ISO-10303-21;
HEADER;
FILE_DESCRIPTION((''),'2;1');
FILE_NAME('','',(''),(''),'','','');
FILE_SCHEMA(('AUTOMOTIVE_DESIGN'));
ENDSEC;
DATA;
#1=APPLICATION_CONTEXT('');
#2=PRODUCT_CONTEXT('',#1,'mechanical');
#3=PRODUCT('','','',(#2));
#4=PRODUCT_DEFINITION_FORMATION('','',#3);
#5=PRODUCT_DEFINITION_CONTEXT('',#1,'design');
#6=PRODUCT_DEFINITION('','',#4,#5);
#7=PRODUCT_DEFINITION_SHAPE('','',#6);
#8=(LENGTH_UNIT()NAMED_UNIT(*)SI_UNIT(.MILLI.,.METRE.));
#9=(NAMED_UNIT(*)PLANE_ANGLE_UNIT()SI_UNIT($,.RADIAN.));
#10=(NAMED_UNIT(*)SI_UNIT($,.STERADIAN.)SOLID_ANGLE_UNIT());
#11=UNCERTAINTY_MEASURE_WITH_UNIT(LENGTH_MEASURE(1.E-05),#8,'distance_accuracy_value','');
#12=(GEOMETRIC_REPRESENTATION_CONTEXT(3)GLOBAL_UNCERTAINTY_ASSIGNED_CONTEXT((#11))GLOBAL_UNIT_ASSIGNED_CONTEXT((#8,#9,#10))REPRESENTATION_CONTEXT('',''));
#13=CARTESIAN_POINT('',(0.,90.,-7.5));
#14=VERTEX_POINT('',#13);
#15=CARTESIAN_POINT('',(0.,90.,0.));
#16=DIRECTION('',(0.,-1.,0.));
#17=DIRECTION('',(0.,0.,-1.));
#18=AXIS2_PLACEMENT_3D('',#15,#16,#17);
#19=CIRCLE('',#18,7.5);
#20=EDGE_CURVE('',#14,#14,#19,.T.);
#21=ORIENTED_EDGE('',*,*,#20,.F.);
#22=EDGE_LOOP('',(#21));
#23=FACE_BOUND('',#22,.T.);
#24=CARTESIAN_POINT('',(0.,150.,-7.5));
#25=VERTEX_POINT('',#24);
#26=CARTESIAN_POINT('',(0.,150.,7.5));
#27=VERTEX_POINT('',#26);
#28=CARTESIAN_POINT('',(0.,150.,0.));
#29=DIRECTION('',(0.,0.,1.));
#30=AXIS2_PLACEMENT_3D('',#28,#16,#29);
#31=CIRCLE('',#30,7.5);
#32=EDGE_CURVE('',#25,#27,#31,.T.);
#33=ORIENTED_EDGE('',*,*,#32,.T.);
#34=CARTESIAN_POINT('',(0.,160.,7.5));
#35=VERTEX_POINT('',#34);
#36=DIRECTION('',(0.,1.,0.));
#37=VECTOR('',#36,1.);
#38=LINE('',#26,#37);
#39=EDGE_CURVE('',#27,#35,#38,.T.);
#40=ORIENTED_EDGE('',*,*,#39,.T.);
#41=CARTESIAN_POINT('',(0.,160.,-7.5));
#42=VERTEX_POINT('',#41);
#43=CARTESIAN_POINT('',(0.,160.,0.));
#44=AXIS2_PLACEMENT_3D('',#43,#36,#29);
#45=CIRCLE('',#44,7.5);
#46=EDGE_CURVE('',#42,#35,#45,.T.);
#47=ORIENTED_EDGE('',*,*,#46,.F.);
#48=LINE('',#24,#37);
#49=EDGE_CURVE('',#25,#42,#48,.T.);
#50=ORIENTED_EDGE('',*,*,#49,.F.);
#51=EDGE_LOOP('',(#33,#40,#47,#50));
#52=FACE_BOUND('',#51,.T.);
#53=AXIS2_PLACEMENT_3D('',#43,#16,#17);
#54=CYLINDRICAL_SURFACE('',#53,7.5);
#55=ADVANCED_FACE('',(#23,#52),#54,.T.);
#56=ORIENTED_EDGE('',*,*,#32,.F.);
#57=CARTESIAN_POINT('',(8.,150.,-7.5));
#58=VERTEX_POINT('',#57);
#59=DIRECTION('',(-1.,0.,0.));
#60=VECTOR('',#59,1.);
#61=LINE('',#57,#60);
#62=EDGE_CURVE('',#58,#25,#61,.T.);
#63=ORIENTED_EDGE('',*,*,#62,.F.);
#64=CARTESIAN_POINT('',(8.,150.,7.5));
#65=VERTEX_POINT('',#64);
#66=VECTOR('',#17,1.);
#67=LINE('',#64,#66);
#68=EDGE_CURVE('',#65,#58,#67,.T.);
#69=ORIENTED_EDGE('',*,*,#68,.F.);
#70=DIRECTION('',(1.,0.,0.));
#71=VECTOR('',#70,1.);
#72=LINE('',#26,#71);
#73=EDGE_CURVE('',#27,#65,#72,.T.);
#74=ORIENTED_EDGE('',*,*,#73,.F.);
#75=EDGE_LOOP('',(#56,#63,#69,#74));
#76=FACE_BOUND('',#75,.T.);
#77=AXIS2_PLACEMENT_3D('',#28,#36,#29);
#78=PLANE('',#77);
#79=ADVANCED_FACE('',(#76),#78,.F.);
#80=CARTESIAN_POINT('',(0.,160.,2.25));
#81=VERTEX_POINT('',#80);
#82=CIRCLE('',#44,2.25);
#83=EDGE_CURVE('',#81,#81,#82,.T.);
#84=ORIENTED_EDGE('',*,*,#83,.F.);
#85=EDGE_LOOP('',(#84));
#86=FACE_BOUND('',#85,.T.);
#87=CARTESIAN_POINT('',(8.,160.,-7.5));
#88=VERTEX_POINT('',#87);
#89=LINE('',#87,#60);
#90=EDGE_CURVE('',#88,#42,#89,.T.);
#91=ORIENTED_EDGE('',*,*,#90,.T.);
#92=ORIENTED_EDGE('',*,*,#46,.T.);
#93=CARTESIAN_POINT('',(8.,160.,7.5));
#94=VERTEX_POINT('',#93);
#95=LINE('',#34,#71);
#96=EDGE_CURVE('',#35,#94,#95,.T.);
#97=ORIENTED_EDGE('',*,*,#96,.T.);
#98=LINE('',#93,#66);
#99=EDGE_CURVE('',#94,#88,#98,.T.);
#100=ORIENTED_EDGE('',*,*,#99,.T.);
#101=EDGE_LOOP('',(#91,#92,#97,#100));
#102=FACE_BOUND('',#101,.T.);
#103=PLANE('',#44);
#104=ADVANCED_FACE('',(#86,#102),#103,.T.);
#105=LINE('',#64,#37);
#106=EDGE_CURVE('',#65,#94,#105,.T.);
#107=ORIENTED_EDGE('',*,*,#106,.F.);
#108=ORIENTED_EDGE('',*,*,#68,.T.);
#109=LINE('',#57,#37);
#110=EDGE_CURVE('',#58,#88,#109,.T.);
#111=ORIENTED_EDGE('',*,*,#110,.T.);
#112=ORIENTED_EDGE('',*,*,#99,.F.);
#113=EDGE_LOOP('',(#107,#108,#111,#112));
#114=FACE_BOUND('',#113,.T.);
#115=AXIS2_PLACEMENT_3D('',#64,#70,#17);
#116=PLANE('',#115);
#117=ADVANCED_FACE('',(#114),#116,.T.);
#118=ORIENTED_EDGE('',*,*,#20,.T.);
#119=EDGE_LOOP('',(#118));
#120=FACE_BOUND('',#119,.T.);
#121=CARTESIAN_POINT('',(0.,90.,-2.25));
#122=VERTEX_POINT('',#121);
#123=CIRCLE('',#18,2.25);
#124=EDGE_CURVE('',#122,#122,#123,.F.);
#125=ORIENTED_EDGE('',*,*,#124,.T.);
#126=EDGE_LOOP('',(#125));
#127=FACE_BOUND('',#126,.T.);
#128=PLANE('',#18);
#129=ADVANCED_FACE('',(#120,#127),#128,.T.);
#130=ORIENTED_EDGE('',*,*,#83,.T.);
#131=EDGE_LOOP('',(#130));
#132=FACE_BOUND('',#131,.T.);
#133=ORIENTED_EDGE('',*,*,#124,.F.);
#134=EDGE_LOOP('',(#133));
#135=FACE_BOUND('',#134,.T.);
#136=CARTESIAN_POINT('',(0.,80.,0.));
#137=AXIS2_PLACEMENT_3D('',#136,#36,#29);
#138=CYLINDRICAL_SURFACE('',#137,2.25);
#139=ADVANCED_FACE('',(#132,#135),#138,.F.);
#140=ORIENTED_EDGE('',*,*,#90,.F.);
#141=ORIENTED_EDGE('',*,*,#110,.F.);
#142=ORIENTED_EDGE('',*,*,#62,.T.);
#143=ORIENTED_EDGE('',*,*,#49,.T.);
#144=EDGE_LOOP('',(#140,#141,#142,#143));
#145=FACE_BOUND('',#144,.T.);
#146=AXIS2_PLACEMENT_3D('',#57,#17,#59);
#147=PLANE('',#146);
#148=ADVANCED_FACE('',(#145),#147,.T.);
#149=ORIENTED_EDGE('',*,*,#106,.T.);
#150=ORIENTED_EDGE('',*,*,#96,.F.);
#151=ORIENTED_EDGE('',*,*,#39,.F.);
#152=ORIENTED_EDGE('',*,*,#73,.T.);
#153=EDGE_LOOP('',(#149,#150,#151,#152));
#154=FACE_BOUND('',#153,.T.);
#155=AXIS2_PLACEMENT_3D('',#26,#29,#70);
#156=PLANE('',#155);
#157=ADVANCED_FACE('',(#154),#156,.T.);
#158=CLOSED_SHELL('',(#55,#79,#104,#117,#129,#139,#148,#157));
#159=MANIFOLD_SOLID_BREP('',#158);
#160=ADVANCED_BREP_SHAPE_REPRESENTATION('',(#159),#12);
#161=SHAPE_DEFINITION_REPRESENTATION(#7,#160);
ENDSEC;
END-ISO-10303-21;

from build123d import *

# Parameters (mm, degrees)
SKETCH1_R          = 7.5
EXTRUSION1_DEPTH   = 160
SKETCH2_R          = 2.25
EXTRUSION2_DEPTH   = 80
EXTRUSION3_START   = -10
EXTRUSION3_DEPTH   = 10
SKETCH4_R          = 9.988310786
EXTRUSION4_DEPTH   = 45
SKETCH5_R          = 7.5
SKETCH5_R_2        = 4
EXTRUSION5_DEPTH   = 15
SKETCH6_R          = 13.00139778
CUT_EXTRUDE1_DEPTH = 45


with BuildPart() as part:
    # Sketch1 → Extrusion1 (new body)
    with BuildSketch(Plane(origin=(0, 0, 0), x_dir=(-1, 0, 0), z_dir=(0, 1, 0))):
        with Locations(Location((0, 0, 0), (0, 0, 90))):
            Circle(SKETCH1_R)
    extrude(amount=EXTRUSION1_DEPTH)

    # Sketch2 → Extrusion2 (cut)
    with BuildSketch(Plane(origin=(0, 160, 0), x_dir=(-1, 0, 0), z_dir=(0, 1, 0))):
        with Locations(Location((0, 0, 0), (0, 0, 90))):
            Circle(SKETCH2_R)
    extrude(amount=-EXTRUSION2_DEPTH, mode=Mode.SUBTRACT)

    # Sketch3 → Extrusion3 (add)
    with BuildSketch(Plane(origin=(0, 160, 0), x_dir=(1, 0, 0), z_dir=(0, 1, 0)).offset(EXTRUSION3_START)):
        with BuildLine():
            Line((0, -7.5), (8, -7.5))
            Line((8, -7.5), (8, 7.5))
            Line((8, 7.5), (0, 7.5))
            ThreePointArc((0, 7.5), (7.5, 0), (0, -7.5))
        make_face()
    extrude(amount=EXTRUSION3_DEPTH)

    # Sketch4 → Extrusion4 (cut)
    with BuildSketch(Plane.XZ):
        Circle(SKETCH4_R)
    extrude(amount=-EXTRUSION4_DEPTH, mode=Mode.SUBTRACT)

    # Sketch5 → Extrusion5 (cut)
    with BuildSketch(Plane.XZ.offset(-45)):
        with Locations(Location((0, 0, 0), (0, 0, 270))):
            Circle(SKETCH5_R)
        with Locations(Location((0, 0, 0), (0, 0, 270))):
            Circle(SKETCH5_R_2, mode=Mode.SUBTRACT)
    extrude(amount=-EXTRUSION5_DEPTH, mode=Mode.SUBTRACT)

    # Sketch6 → Cut-Extrude1 (cut)
    with BuildSketch(Plane.XZ.offset(-45)):
        Circle(SKETCH6_R)
    extrude(amount=-CUT_EXTRUDE1_DEPTH, mode=Mode.SUBTRACT)


solid = part.part
